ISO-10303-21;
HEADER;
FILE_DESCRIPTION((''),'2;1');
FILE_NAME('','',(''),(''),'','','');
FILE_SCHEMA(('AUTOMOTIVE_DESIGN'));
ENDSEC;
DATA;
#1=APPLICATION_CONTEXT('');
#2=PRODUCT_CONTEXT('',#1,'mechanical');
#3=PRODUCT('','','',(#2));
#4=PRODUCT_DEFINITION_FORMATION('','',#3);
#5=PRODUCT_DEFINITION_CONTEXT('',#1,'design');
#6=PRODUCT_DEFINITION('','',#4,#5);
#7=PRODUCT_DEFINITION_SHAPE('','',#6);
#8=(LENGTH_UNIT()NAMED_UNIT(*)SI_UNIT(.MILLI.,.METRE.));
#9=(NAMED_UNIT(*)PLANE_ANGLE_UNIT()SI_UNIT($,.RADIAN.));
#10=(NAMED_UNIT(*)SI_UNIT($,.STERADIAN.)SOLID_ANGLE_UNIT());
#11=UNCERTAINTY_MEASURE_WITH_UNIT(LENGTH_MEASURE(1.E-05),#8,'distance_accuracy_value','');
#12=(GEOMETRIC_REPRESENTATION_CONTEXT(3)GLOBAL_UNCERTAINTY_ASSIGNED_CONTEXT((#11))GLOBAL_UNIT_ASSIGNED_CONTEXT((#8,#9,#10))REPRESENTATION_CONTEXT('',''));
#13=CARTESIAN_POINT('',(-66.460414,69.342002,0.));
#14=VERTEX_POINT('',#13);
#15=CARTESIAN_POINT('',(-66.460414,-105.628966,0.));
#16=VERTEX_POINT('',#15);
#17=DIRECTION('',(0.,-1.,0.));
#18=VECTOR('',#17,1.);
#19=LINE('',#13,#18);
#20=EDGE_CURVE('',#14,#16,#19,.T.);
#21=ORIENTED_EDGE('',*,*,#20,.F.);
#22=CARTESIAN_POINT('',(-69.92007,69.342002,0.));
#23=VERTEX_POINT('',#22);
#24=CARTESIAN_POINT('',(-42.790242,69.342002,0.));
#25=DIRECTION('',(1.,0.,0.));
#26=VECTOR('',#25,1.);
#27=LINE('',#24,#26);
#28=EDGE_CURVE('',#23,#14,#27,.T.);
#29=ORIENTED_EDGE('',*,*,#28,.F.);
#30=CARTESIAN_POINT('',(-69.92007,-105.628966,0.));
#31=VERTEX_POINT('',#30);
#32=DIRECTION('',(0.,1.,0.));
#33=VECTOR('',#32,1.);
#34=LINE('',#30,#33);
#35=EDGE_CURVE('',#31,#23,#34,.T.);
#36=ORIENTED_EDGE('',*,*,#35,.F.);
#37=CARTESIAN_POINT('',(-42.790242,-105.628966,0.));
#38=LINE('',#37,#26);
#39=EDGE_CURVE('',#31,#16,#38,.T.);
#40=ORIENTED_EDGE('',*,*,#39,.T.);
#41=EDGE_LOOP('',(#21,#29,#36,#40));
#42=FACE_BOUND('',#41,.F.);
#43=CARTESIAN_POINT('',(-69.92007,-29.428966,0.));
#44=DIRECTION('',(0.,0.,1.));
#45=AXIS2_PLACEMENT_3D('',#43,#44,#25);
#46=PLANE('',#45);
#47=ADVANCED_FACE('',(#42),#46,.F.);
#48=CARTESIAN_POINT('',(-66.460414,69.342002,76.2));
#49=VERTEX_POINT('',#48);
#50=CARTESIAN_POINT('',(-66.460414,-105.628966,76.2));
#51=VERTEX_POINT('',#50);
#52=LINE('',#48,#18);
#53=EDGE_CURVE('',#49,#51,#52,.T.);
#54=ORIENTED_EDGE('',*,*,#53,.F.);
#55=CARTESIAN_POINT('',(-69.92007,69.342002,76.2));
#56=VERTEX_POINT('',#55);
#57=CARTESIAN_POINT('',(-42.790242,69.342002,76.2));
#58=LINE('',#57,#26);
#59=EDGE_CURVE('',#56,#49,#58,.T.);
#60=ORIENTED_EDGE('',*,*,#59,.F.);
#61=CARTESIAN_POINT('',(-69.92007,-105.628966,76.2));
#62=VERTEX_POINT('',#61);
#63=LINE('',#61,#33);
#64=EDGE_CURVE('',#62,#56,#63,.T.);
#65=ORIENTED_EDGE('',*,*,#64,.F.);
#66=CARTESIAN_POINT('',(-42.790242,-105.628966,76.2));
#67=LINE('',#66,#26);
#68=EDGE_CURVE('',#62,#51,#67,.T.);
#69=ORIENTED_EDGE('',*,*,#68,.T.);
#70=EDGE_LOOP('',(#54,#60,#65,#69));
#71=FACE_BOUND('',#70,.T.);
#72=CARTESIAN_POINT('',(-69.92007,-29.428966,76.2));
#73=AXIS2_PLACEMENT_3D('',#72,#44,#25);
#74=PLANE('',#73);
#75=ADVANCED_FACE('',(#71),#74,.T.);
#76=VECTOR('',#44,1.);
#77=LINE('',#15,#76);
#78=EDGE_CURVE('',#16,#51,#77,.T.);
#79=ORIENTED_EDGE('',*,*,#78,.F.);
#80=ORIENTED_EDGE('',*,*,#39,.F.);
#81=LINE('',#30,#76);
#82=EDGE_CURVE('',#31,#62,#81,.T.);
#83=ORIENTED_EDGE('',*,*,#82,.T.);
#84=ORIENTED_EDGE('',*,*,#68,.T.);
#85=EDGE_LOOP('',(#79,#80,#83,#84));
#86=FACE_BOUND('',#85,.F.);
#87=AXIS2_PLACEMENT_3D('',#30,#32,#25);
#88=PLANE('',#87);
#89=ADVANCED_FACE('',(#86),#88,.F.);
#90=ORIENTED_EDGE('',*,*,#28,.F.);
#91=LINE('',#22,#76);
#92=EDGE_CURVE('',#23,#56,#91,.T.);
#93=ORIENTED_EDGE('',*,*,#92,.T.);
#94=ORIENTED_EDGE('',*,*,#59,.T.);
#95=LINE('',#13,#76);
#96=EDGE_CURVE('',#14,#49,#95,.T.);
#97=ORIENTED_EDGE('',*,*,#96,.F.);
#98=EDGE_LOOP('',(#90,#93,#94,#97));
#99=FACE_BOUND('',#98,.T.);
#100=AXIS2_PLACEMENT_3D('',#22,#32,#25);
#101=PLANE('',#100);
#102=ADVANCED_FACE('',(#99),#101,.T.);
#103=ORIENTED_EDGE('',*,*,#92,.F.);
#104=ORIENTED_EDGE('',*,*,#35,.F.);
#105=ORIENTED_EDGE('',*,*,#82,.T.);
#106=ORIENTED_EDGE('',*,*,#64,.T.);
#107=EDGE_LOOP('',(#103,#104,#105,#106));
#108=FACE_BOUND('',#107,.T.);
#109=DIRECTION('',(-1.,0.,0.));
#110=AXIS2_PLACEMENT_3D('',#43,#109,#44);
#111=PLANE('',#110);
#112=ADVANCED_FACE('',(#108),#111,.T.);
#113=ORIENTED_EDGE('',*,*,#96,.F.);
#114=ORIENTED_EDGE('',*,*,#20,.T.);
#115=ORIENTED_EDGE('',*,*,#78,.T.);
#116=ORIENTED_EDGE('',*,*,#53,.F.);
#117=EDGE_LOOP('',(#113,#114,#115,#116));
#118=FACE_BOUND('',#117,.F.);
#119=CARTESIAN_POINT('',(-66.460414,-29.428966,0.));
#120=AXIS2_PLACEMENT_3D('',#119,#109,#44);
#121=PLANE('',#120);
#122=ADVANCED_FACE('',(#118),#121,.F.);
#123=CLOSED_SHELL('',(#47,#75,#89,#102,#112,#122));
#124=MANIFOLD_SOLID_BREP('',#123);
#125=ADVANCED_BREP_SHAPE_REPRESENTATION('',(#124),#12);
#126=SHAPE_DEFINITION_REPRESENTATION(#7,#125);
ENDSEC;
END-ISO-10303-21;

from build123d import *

# Parameters (mm, degrees)
F0_W     = 54.2596559972
F0_H     = 98.770968616
F1_DEPTH = 76.2
F2_DEPTH = 25.4
F3_DEPTH = 25.4
F4_DEPTH = 76.2


with BuildPart() as f1:
    # F0 (on Top) → F1 (new body)
    with BuildSketch(Plane.XY):
        with Locations((-42.7902424708, 19.9565179646)):
            Rectangle(F0_W, F0_H)
    extrude(amount=F1_DEPTH)

    # F2 (cut): a face of the model
    f2_faces = [f1.faces().sort_by_distance(p)[0] for p in [
        (-15.6604144722, 19.9565179646, 38.1),
    ]]
    extrude(f2_faces, amount=-F2_DEPTH, mode=Mode.SUBTRACT)

    # F3 (cut): a face of the model
    f3_faces = [f1.faces().sort_by_distance(p)[0] for p in [
        (-41.0604144722, 19.9565179646, 38.1),
    ]]
    extrude(f3_faces, amount=-F3_DEPTH, mode=Mode.SUBTRACT)

    # F4 (add): a face of the model
    f4_faces = [f1.faces().sort_by_distance(p)[0] for p in [
        (-68.1902424708, -29.4289663434, 38.1),
    ]]
    extrude(f4_faces, amount=F4_DEPTH)


solid = f1.part
